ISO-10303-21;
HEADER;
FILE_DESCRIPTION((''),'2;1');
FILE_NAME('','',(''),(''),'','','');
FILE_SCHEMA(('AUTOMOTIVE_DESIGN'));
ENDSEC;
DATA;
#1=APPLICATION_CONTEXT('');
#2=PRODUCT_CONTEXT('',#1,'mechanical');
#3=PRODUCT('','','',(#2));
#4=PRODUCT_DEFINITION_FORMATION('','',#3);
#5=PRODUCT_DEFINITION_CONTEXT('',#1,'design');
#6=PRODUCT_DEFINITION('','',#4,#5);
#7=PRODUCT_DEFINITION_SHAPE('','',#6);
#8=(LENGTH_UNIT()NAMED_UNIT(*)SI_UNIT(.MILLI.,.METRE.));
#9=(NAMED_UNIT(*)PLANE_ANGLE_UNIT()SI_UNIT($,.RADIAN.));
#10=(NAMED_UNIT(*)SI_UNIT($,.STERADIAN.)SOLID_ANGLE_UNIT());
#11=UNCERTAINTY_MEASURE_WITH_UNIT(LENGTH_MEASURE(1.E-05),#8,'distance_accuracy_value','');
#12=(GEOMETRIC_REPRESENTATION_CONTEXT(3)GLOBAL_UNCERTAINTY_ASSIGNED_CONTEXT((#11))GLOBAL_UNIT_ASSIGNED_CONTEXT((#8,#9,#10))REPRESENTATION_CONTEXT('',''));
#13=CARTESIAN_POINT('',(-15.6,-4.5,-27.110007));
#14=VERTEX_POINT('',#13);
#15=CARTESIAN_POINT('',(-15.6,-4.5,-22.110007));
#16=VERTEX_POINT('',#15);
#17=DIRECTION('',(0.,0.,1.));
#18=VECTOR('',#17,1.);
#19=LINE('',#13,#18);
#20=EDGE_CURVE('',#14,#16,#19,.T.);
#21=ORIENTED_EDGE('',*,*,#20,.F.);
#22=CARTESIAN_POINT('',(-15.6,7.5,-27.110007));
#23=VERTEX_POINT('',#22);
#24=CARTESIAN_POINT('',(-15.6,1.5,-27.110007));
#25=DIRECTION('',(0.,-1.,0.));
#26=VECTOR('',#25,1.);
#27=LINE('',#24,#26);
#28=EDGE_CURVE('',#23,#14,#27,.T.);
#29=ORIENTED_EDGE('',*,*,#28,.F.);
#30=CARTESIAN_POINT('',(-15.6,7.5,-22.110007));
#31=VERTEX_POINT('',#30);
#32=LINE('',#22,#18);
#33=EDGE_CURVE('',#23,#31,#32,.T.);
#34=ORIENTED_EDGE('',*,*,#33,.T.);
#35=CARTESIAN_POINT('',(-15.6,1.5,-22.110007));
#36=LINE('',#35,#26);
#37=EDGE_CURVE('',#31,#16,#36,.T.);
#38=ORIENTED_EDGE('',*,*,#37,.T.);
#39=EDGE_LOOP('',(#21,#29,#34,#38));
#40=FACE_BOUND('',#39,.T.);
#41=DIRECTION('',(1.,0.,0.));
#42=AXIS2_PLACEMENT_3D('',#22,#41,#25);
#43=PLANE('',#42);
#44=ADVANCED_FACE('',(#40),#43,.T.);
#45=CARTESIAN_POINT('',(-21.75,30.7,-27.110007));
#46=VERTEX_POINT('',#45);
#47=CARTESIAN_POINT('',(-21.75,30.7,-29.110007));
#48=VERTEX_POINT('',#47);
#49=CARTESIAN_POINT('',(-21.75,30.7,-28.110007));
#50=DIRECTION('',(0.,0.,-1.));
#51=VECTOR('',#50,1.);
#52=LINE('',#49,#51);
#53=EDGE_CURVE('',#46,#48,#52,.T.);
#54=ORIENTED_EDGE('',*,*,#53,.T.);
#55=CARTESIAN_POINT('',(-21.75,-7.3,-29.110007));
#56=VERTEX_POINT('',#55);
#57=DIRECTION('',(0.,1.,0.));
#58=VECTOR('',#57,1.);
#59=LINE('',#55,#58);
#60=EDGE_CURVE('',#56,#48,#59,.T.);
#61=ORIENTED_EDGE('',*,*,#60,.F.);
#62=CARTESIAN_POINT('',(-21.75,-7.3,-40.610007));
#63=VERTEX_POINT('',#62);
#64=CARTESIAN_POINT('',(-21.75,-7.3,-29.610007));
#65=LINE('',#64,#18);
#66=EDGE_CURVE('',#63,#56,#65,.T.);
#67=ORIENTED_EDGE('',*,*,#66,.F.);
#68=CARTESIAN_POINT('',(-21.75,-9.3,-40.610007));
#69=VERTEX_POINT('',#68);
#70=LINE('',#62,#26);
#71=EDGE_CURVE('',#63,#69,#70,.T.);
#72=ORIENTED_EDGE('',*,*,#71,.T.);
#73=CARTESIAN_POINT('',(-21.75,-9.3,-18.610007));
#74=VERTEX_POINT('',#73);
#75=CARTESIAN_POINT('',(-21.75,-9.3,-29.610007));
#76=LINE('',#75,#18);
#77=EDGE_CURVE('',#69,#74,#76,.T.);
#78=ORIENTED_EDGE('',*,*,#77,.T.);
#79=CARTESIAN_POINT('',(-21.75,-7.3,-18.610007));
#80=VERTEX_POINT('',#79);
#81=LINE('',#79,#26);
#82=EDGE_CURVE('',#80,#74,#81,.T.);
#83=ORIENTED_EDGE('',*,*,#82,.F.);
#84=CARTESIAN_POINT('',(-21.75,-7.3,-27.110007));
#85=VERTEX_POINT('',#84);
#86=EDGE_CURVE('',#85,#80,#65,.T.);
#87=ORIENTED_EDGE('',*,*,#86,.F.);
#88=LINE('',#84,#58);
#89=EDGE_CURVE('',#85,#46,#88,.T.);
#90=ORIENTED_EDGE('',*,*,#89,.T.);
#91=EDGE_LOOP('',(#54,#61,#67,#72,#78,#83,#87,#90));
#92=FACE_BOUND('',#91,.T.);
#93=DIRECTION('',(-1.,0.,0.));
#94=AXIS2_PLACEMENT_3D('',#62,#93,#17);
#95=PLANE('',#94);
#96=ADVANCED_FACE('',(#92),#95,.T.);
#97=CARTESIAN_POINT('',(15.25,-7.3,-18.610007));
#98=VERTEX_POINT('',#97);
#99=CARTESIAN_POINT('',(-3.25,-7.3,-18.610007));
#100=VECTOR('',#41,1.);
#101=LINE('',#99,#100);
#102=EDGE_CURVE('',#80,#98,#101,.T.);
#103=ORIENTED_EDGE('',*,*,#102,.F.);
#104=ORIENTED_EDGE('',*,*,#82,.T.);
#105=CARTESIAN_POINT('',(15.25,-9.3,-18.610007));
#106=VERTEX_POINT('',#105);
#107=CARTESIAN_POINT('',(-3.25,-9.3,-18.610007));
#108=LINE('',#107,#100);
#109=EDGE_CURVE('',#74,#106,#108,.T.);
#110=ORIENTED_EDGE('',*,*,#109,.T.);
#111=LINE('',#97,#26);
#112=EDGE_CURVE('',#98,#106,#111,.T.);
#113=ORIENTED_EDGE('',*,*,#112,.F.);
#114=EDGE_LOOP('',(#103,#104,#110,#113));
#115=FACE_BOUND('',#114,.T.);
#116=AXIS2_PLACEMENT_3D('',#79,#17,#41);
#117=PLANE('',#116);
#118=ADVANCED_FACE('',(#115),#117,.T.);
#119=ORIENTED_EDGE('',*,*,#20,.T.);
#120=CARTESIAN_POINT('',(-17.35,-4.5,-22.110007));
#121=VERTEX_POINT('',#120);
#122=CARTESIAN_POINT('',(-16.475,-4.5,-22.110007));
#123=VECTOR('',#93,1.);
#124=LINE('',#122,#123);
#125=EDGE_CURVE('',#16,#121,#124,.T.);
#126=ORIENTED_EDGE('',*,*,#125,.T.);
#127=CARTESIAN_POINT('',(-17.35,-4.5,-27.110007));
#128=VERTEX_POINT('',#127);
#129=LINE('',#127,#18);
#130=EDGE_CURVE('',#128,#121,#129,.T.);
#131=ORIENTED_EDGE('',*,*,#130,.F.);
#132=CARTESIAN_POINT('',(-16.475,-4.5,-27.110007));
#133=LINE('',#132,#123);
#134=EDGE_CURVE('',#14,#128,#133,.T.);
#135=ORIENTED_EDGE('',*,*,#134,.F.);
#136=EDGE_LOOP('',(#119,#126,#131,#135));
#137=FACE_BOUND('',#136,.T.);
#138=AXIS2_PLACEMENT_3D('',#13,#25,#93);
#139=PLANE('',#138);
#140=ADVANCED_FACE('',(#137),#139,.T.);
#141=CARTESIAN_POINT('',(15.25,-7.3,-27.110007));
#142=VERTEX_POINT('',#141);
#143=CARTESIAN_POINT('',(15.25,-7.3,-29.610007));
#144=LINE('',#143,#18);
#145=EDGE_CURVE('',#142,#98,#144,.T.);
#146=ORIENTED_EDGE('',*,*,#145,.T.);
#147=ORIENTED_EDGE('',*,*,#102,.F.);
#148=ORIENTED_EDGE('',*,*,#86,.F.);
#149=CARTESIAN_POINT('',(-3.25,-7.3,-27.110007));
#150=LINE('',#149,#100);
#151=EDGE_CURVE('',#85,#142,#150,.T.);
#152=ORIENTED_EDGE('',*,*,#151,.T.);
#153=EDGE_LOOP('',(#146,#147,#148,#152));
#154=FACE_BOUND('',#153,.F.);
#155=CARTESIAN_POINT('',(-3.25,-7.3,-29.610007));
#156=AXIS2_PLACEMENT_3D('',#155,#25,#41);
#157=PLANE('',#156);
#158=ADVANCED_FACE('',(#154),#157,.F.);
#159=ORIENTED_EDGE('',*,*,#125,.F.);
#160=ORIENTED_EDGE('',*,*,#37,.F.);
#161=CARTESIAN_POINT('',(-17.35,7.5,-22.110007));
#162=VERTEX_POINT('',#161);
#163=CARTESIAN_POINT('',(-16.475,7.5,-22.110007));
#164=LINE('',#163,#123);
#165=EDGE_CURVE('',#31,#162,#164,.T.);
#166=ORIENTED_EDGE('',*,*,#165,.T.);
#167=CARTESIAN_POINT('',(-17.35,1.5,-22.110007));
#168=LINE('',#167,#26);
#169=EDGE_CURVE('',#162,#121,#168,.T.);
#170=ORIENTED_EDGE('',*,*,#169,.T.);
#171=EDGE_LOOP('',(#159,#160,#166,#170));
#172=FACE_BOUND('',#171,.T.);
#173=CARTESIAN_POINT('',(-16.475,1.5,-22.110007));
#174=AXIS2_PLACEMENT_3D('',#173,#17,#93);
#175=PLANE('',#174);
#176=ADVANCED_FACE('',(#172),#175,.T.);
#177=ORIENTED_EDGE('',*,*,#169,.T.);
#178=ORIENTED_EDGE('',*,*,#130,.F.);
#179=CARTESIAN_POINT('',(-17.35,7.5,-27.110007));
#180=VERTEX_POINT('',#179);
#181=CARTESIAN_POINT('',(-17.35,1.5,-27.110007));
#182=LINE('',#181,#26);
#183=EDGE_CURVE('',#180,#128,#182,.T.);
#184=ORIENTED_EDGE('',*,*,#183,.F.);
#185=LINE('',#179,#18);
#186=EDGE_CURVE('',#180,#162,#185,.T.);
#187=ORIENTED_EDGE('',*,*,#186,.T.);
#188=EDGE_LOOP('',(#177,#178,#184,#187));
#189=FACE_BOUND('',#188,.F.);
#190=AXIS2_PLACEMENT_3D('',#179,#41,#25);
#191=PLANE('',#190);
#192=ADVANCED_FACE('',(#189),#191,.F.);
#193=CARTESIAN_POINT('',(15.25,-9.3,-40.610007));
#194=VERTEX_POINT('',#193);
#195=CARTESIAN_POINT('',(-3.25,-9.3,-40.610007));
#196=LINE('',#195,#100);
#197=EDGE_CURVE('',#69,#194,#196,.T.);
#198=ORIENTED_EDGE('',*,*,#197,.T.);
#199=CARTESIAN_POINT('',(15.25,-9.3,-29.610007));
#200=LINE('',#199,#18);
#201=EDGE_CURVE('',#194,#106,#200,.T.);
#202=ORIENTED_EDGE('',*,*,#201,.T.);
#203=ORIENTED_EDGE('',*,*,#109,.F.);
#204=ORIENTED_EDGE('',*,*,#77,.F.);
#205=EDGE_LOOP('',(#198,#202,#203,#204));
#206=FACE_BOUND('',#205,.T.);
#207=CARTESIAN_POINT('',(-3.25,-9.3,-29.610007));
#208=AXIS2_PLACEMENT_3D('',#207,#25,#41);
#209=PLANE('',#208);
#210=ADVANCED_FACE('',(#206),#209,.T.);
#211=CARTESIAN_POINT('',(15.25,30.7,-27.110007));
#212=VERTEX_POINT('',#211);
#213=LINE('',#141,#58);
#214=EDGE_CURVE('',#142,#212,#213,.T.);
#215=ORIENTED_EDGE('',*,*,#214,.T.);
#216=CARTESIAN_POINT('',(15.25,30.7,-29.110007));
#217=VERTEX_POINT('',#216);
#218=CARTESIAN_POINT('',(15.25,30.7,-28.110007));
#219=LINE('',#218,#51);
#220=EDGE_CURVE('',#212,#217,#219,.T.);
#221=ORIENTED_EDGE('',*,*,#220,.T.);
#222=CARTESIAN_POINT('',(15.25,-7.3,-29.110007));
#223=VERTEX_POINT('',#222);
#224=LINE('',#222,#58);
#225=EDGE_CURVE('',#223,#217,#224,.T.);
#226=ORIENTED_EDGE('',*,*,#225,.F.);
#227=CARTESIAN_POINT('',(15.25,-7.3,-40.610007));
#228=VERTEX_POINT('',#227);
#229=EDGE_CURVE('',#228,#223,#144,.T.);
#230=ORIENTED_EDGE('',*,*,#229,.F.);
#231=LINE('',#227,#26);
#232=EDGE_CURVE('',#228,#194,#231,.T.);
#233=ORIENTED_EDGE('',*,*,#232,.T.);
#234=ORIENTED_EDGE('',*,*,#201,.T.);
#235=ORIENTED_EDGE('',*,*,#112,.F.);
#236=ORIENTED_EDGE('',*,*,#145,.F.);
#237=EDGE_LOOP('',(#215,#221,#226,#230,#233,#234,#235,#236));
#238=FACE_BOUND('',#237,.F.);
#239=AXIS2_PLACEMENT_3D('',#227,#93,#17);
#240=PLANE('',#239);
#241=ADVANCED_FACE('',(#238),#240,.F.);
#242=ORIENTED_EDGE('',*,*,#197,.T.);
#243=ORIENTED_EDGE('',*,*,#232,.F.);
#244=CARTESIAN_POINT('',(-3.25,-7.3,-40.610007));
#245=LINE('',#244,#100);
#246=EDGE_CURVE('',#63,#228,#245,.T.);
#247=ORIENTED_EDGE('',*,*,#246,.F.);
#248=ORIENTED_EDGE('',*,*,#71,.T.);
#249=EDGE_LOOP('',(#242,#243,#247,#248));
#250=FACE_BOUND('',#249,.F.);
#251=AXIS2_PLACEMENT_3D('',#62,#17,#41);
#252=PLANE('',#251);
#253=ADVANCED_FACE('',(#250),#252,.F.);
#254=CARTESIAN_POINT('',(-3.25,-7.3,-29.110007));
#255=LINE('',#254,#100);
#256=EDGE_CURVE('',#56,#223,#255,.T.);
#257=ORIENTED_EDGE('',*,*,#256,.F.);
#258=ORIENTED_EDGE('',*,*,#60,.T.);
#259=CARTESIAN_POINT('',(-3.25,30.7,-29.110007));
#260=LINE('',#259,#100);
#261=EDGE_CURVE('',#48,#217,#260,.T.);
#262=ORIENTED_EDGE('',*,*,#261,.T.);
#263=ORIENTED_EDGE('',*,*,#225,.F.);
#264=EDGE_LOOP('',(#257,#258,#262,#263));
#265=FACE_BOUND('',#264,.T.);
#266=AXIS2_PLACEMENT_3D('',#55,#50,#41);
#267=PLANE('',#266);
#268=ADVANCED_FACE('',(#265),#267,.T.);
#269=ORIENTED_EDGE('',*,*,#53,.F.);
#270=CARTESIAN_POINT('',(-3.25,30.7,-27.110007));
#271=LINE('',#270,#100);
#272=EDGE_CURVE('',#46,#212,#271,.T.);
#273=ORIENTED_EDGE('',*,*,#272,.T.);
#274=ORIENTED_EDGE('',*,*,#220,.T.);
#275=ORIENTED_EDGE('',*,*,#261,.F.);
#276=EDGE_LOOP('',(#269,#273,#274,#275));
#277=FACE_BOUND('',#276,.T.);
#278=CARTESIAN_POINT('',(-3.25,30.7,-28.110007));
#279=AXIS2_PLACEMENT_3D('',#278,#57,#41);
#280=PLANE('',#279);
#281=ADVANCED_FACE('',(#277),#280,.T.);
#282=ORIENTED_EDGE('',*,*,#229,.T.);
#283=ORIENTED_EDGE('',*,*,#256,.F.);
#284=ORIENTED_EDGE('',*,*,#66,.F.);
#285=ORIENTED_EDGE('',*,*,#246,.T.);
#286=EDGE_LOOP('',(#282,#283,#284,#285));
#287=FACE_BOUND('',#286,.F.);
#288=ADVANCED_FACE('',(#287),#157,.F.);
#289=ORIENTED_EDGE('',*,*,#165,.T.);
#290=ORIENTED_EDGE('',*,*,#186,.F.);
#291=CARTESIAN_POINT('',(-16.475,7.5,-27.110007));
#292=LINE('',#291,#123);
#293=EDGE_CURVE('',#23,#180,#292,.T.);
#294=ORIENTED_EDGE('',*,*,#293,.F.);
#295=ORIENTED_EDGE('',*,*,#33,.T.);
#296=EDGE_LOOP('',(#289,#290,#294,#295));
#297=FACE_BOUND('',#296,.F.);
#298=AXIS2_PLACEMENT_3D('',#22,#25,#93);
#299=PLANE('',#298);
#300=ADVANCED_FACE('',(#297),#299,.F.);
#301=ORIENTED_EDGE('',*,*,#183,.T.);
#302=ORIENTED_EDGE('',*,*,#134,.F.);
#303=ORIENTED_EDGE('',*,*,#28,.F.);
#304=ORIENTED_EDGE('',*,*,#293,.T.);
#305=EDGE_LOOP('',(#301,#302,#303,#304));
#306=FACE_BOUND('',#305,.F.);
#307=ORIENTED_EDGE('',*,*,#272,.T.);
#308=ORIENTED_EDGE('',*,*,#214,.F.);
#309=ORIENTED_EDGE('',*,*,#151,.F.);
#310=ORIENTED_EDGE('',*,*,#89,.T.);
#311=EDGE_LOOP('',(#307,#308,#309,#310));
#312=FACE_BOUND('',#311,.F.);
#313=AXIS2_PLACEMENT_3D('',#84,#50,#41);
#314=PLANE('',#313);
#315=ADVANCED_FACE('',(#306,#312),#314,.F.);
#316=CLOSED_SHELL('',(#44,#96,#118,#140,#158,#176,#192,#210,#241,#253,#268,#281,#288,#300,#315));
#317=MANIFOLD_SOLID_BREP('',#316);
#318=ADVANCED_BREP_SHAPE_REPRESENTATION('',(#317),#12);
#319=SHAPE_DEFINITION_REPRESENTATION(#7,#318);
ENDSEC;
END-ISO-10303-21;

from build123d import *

# Parameters (mm, degrees)
SKETCH024_W  = 37
SKETCH024_H  = 22
PAD013_DEPTH = 2
SKETCH025_W  = 37
SKETCH025_H  = 2
PAD014_DEPTH = 38
SKETCH027_W  = 1.75
SKETCH027_H  = 12
PAD015_DEPTH = 5


with BuildPart() as part:
    # Sketch024 → Pad013 (new body)
    with BuildSketch(Plane.XZ.offset(7.3)):
        with Locations((-3.25, -29.610007)):
            Rectangle(SKETCH024_W, SKETCH024_H)
    extrude(amount=PAD013_DEPTH)

    # Sketch025 (on Face5 of Pad013) → Pad014 (join)
    with BuildSketch(Plane(origin=(0, -7.3, 0), x_dir=(1, 0, 0), z_dir=(0, 1, 0))):
        with Locations((-3.25, 28.110007)):
            Rectangle(SKETCH025_W, SKETCH025_H)
    extrude(amount=PAD014_DEPTH)

    # Sketch027 (on Face6 of Pad014) → Pad015 (join)
    with BuildSketch(Plane(origin=(0, 0, -27.110007), x_dir=(-1, 0, 0), z_dir=(0, 0, 1))):
        with Locations((16.475, -1.5)):
            Rectangle(SKETCH027_W, SKETCH027_H)
    extrude(amount=PAD015_DEPTH)


solid = part.part
